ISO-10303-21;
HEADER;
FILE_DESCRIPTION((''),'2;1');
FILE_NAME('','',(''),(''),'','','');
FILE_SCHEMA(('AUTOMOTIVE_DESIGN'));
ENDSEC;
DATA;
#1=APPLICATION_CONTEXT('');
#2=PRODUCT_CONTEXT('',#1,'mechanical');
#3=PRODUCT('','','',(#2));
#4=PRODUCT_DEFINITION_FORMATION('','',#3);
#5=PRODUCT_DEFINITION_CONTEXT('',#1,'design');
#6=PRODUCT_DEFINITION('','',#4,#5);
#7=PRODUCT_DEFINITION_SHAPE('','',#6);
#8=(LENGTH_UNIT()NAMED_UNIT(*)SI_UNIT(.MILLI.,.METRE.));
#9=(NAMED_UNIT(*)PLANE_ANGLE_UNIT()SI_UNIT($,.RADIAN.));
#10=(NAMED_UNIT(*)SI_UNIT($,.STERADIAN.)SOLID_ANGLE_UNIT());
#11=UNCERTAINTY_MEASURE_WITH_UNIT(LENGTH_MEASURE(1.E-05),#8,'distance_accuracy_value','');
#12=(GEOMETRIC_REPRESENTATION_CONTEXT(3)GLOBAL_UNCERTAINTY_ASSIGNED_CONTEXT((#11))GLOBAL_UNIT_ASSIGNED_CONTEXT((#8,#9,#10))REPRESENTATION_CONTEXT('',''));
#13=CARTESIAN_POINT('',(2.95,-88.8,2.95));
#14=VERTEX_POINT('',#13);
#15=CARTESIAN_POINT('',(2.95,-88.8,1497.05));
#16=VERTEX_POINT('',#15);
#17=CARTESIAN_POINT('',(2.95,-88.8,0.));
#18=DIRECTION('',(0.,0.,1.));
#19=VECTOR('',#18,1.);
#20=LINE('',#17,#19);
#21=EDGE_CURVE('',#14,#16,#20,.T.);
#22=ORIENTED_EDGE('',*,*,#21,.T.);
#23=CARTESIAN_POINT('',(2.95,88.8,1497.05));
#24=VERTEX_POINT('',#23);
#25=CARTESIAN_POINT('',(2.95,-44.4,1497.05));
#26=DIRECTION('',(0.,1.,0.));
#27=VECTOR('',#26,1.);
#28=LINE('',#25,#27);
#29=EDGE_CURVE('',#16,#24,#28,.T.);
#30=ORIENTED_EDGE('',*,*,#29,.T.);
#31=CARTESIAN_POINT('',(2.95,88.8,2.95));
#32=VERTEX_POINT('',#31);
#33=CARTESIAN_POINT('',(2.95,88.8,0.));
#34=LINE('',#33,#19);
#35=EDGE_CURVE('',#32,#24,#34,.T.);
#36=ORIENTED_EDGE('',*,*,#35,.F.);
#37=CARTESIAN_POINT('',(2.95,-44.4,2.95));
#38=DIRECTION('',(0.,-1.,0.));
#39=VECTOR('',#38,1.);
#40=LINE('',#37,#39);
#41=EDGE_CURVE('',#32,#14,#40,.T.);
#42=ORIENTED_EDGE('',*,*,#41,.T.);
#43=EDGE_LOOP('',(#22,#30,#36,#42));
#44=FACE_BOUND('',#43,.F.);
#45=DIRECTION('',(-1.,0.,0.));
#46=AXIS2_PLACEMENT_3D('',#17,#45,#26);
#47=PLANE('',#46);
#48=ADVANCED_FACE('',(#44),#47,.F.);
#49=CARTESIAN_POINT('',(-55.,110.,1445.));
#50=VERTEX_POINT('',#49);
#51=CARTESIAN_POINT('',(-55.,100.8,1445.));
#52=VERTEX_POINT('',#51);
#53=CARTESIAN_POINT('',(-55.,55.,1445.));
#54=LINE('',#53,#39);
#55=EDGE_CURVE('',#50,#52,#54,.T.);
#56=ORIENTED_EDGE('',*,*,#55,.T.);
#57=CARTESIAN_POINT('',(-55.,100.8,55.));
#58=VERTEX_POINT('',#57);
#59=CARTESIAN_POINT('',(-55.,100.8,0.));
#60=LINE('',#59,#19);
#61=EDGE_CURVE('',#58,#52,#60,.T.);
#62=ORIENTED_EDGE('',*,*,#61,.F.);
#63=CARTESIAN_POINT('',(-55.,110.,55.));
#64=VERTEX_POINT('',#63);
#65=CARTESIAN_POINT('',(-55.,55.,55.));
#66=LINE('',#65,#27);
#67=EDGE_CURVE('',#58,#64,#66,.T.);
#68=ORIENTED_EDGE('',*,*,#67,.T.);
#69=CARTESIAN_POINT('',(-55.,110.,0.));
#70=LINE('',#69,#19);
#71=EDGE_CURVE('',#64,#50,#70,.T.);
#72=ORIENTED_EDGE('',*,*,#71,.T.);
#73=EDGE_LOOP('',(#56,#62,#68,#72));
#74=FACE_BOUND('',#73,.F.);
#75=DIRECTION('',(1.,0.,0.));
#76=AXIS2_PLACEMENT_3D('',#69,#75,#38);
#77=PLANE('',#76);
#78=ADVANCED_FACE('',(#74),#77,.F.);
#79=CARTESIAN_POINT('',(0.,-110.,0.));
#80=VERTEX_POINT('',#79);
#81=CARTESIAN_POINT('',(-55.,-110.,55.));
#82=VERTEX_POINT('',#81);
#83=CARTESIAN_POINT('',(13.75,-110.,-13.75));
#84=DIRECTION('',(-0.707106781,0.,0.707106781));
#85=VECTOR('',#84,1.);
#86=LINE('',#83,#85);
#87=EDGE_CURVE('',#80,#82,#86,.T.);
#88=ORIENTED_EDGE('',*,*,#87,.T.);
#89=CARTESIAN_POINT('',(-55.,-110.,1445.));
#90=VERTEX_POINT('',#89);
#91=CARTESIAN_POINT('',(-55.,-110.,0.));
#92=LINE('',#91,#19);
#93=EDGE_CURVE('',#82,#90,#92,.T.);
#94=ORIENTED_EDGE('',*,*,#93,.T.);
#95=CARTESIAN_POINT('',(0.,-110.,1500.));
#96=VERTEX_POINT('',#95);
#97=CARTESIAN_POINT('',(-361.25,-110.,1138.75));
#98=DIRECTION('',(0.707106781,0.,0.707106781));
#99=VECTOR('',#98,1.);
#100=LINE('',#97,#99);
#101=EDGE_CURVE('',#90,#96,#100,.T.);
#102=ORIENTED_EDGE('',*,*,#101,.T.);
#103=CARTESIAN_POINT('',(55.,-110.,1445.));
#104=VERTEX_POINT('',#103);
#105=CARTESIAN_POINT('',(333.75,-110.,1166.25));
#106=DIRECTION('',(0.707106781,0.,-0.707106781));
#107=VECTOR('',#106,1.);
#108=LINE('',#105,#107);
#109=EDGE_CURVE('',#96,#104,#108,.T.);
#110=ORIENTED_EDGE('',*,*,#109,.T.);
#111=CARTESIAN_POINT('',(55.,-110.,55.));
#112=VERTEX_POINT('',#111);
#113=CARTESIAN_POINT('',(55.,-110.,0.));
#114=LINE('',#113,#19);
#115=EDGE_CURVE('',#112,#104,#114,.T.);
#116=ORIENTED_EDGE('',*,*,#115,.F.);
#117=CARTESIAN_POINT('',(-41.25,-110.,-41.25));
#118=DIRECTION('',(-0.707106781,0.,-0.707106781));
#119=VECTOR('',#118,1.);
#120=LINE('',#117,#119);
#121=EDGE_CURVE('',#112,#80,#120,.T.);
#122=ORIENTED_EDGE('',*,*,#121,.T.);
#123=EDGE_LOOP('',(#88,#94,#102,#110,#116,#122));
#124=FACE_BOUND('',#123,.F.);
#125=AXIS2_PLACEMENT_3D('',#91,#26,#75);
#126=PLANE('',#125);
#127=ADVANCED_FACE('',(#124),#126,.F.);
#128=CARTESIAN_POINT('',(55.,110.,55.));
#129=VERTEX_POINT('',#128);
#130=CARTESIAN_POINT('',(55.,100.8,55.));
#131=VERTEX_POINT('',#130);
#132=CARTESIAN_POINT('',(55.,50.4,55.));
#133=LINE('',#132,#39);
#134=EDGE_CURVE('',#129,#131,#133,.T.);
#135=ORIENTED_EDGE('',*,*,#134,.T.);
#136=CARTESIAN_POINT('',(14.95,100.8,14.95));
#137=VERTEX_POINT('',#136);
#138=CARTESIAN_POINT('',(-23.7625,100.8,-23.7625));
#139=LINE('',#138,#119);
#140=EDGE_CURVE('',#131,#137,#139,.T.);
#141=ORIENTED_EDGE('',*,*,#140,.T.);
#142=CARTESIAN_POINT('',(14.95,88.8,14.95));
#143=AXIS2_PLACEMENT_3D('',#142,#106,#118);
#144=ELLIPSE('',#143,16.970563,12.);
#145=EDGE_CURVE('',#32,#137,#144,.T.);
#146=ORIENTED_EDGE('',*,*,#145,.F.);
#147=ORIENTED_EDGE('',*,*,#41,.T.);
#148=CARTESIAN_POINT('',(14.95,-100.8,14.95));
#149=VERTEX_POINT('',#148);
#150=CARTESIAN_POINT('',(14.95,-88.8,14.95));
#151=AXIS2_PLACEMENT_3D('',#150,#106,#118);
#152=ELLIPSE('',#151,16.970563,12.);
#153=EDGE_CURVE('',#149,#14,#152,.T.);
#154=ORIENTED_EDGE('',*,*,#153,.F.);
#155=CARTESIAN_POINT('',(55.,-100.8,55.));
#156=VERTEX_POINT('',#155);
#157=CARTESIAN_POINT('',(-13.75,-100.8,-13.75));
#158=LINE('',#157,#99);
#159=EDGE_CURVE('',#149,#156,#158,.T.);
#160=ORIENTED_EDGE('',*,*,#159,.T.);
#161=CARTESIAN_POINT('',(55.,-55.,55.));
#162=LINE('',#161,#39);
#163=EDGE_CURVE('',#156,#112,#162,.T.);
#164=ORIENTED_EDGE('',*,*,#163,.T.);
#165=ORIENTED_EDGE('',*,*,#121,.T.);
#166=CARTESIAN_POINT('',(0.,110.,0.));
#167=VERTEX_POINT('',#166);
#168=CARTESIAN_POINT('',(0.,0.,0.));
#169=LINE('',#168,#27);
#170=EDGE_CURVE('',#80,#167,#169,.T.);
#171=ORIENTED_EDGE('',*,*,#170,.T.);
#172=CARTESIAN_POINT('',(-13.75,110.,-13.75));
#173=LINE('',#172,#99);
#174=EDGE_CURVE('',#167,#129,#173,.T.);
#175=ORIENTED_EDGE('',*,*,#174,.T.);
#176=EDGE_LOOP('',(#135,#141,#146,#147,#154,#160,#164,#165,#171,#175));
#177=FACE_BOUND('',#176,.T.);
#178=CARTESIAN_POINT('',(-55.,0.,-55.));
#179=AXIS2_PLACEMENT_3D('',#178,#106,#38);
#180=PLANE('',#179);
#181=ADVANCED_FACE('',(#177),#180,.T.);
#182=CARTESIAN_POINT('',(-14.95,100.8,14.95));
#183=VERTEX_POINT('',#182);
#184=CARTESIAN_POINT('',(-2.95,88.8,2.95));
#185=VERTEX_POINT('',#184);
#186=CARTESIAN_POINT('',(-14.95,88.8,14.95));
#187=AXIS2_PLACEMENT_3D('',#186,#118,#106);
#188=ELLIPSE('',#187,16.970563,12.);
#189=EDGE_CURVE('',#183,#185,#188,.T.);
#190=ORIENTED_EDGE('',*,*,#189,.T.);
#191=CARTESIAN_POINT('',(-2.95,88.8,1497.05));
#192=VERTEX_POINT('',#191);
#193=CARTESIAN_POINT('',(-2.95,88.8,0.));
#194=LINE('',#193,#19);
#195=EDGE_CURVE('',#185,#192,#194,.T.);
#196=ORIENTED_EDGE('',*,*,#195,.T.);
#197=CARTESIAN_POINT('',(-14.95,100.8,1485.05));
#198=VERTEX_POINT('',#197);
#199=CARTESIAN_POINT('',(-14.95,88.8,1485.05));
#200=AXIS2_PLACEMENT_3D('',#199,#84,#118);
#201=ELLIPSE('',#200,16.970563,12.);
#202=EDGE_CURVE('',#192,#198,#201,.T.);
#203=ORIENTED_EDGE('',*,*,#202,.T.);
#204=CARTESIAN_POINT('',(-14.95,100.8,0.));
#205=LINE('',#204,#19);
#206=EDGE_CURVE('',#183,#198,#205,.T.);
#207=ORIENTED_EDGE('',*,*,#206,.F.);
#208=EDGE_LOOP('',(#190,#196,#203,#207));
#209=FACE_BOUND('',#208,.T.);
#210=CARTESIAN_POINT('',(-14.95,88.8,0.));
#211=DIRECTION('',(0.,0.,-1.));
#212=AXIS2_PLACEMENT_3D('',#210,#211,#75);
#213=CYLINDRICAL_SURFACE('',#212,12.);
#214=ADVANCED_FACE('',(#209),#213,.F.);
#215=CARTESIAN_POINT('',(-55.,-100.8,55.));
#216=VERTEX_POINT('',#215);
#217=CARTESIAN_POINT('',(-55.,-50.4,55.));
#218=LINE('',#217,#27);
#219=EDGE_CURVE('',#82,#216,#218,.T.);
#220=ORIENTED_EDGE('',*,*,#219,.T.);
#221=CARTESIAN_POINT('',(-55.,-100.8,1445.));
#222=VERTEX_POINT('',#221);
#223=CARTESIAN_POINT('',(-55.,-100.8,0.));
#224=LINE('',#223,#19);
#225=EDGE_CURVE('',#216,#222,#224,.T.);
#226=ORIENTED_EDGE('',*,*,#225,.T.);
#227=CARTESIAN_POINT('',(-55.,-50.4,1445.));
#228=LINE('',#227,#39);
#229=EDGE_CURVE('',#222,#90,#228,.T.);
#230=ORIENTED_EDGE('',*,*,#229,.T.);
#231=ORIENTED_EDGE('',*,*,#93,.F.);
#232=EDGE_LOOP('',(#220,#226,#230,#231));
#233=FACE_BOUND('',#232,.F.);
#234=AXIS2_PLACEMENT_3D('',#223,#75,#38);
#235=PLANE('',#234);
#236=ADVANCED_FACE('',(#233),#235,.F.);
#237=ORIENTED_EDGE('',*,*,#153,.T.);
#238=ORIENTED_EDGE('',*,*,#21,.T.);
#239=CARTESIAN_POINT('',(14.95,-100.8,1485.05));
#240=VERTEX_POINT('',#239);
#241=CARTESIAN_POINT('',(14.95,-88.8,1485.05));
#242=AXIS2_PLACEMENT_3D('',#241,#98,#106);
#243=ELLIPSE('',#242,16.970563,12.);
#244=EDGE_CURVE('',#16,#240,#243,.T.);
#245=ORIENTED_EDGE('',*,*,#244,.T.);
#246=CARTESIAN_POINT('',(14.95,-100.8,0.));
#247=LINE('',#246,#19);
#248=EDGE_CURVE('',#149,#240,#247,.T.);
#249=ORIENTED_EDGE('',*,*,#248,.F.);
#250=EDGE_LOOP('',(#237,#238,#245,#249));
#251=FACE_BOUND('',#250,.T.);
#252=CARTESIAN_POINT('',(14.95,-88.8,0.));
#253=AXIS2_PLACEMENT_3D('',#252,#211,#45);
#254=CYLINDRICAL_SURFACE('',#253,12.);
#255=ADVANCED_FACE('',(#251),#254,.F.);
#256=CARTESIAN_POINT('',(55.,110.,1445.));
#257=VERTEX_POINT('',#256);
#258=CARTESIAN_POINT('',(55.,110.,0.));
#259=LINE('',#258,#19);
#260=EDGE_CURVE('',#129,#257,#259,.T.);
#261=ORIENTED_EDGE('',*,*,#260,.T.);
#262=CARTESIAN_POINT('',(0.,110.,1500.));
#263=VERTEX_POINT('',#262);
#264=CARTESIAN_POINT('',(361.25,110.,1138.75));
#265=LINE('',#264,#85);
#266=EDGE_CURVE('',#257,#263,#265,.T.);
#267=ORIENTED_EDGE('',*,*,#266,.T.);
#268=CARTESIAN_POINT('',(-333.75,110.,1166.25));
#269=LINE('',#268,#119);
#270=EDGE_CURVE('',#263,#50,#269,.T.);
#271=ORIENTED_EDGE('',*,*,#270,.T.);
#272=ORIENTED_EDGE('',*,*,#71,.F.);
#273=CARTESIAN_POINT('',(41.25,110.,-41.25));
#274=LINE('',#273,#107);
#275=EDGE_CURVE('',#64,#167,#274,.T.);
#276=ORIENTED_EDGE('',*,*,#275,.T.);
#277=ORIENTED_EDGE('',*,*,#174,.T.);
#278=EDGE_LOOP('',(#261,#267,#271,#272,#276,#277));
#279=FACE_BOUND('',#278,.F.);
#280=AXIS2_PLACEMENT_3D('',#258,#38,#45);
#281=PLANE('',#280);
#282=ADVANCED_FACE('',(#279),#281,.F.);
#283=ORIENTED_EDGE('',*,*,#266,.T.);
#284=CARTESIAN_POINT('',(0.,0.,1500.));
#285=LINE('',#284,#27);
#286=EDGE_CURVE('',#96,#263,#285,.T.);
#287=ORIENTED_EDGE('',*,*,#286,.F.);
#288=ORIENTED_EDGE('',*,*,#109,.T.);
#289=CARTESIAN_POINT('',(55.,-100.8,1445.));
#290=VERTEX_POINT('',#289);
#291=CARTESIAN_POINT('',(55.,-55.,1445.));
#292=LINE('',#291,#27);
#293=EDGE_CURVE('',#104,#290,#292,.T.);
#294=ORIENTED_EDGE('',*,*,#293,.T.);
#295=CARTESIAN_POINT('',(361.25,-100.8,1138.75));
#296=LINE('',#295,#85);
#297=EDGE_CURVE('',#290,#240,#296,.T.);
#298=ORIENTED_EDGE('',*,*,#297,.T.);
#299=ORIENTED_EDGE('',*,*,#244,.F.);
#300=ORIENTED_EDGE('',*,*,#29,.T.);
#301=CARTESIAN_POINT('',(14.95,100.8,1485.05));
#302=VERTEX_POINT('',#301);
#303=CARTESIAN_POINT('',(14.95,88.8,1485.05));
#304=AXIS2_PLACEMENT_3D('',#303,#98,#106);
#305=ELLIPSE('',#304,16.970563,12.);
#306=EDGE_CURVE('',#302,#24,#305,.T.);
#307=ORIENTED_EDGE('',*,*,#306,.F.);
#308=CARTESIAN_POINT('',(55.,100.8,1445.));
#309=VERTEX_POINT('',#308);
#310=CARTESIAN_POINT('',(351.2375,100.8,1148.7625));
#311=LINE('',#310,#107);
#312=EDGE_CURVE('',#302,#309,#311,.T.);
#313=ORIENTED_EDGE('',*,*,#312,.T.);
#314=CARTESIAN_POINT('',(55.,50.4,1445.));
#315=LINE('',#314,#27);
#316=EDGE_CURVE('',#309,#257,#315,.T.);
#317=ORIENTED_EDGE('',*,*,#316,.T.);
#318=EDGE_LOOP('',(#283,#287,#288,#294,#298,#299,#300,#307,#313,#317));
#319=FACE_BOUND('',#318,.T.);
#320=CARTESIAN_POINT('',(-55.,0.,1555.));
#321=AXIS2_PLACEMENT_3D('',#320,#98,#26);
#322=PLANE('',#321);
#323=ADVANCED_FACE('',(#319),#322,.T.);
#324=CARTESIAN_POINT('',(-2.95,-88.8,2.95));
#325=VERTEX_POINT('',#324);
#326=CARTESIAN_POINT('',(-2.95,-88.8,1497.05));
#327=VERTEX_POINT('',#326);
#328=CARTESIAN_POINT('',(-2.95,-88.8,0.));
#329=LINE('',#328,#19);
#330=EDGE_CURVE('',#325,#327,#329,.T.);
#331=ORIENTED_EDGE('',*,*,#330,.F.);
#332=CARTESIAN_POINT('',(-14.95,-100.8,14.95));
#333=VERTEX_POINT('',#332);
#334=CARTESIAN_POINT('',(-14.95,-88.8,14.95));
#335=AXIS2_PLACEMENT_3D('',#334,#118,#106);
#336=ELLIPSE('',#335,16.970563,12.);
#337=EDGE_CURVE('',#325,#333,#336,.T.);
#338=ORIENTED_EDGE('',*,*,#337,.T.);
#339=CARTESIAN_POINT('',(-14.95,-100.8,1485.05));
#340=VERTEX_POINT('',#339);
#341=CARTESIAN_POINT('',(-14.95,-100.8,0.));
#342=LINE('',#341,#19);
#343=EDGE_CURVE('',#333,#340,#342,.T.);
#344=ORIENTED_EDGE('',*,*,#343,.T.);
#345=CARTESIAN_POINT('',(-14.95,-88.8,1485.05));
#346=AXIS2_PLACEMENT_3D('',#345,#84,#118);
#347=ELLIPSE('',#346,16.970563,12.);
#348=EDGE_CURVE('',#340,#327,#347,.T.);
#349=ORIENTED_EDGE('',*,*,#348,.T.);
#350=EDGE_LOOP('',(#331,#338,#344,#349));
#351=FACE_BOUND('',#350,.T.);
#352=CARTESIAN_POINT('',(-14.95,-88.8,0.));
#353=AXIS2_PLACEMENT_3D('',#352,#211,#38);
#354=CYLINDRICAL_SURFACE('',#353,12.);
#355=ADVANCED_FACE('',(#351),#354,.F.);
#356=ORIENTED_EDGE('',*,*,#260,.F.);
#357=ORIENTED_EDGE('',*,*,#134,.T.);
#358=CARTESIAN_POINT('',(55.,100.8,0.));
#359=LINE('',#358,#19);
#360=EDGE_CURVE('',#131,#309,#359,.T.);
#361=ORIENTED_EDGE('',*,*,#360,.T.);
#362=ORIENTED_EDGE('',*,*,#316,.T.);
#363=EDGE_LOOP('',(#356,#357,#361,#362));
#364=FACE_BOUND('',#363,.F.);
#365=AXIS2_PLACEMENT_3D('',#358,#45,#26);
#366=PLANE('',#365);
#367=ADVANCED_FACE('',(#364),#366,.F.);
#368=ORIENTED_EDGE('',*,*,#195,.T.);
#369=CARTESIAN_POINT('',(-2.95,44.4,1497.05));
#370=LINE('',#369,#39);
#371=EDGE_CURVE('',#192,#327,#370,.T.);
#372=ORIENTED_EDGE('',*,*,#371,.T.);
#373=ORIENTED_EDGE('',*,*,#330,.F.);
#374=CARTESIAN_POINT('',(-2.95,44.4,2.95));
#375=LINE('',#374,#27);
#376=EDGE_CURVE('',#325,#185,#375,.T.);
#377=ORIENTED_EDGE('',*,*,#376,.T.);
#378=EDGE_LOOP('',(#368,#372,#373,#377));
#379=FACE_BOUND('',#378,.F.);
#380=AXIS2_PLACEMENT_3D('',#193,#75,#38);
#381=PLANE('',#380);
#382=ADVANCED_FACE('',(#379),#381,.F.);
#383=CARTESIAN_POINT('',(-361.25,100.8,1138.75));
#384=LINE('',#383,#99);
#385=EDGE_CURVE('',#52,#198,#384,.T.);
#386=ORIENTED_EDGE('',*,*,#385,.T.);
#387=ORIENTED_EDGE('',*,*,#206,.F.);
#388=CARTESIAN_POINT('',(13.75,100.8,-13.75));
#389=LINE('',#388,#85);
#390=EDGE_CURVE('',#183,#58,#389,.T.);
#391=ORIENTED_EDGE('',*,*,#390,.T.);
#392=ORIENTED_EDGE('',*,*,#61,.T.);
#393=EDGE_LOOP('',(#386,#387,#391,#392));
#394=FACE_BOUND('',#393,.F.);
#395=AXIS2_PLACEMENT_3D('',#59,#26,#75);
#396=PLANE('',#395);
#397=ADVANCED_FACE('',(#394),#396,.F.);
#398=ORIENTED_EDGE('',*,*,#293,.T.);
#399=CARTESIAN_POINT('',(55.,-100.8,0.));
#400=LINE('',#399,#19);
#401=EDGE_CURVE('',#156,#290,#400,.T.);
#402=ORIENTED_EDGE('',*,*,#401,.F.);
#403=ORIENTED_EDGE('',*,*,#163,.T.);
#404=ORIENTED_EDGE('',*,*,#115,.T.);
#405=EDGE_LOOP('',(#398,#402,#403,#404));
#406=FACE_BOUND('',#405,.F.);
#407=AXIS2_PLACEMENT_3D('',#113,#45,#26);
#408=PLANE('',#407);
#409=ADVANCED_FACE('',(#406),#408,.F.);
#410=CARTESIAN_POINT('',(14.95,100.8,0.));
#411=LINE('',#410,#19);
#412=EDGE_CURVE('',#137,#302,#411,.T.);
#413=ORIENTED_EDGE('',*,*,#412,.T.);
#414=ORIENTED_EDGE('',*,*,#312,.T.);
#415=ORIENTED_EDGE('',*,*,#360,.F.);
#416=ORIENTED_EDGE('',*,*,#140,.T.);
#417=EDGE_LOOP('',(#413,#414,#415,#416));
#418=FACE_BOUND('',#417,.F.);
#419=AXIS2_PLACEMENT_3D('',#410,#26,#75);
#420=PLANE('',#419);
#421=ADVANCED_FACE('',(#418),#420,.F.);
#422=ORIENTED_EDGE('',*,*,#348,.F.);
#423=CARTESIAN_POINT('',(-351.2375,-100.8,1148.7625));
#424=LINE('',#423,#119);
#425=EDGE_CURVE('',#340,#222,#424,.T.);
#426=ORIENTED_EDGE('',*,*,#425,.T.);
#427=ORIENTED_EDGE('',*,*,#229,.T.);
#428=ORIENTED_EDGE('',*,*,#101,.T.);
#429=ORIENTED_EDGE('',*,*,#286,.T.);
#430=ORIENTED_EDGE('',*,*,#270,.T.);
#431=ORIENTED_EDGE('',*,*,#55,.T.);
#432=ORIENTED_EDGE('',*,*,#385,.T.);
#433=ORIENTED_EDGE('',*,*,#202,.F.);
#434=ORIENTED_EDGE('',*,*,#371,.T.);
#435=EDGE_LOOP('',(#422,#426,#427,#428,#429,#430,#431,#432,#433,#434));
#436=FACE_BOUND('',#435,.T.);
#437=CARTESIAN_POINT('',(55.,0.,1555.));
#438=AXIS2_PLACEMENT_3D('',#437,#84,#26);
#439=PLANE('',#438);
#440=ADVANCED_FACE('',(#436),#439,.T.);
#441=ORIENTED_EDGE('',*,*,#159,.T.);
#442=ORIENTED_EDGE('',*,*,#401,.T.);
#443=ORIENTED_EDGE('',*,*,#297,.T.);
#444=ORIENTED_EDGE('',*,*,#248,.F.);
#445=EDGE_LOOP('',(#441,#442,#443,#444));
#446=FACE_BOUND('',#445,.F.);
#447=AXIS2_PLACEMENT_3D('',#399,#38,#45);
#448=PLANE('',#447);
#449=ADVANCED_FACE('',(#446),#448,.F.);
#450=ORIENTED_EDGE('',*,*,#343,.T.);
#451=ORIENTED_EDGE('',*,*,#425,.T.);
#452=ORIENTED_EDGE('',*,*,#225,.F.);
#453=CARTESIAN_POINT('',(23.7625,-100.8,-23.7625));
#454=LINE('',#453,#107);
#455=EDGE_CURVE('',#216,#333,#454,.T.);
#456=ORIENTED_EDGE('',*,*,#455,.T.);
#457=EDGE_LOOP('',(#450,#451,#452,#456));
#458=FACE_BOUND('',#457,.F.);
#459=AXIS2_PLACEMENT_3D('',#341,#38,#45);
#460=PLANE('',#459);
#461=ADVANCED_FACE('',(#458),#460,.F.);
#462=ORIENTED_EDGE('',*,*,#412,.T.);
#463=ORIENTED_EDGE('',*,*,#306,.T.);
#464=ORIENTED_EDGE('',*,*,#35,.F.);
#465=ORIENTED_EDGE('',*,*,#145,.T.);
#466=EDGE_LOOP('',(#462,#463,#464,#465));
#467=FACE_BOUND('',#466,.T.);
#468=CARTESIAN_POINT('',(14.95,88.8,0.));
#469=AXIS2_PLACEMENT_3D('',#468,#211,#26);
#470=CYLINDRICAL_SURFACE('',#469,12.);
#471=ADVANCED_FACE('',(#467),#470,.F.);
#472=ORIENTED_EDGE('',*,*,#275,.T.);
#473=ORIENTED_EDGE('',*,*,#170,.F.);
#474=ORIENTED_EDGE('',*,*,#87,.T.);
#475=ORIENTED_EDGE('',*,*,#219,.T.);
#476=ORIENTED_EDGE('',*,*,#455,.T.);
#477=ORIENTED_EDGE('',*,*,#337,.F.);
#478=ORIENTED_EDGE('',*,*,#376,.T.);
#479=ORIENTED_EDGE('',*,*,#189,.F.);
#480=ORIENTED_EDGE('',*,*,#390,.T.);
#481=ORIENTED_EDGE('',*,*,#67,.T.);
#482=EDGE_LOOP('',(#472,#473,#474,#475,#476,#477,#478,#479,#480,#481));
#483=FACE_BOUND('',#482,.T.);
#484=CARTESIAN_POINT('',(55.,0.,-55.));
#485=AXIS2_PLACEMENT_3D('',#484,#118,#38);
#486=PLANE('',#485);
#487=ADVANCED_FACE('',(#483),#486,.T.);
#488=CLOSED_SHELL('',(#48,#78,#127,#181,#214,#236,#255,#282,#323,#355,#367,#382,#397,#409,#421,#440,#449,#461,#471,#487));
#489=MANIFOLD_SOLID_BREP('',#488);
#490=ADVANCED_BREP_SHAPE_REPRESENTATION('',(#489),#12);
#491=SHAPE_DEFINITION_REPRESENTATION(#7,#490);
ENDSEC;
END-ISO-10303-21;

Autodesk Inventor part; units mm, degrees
ref_plane "Start plane" through (0, 0, 0) normal (0, 0, 1) x (1, 0, 0)
ref_plane "End plane" through (0, 0, 1500) normal (0, 0, 1) x (1, 0, 0)
sketch "Sketch2" plane through (0, 0, 0) normal (0, 0, 1) x (1, 0, 0)
  line L0 (-55, 100.8) -> (-14.95, 100.8)
  line L1 (-55, 110) -> (-55, 100.8)
  line L2 (55, 110) -> (-55, 110)
  line L3 (55, 100.8) -> (55, 110)
  line L4 (14.95, 100.8) -> (55, 100.8)
  line L5 (2.95, -88.8) -> (2.95, 88.8)
  line L6 (55, -100.8) -> (14.95, -100.8)
  line L7 (55, -110) -> (55, -100.8)
  line L8 (-55, -100.8) -> (-55, -110)
  line L9 (-14.95, -100.8) -> (-55, -100.8)
  line L10 (-2.95, 88.8) -> (-2.95, -88.8)
  line L11 (0, -154) -> (0, 154) construction
  line L12 (-2.95, -100.8) -> (2.95, -100.8) construction
  arc A0 (-14.95, -100.8) -> (-2.95, -88.8) centre (-14.95, -88.8) ccw
  arc A1 (-2.95, 88.8) -> (-14.95, 100.8) centre (-14.95, 88.8) ccw
  arc A2 (14.95, 100.8) -> (2.95, 88.8) centre (14.95, 88.8) ccw
  arc A3 (2.95, -88.8) -> (14.95, -100.8) centre (14.95, -88.8) ccw
  line L13 (-77, 0) -> (77, 0) construction
  line L14 (-55, -110) -> (55, -110)
  point P0 (-2.95, 100.8)
  point P1 (2.95, 100.8)
  point P2 (0, 0)
  point P3 (0, -100.8)
  point P4 (0, 0)
  dimension "d1" = 220
  dimension "d3" = 9.2
  dimension "d5" = 5.9
  dimension "d7" = 110
  dimension "d13" = 12
  dimension "d14" = 110
  dimension "d15" = 55
extrude "Body" add sketch "Sketch2" along normal up to surface (1500 mm away) from surface at 0
sketch "Sketch3" plane through (0, 0, 0) normal (0, 0, 1) x (1, 0, 0)
  line L0 (0, 0) -> (10, 0)
ref_plane "Work Plane3" through (0, 0, 0) normal (0, -1, 0) x (1, 0, 0)
ref_plane "Work Plane4" through (-55, 0, 1555) normal (0.7071, 0, 0.7071) x (0.7071, 0, -0.7071)
split "Split1" plane through (-55, 0, 1555) removes the side toward (0.7071, 0, 0.7071)
ref_plane "Work Plane5" through (-55, 0, -55) normal (0.7071, 0, -0.7071) x (-0.7071, 0, -0.7071)
split "Split2" plane through (-55, 0, -55) removes the side toward (0.7071, 0, -0.7071)
ref_plane "Work Plane6" through (55, 0, 1555) normal (-0.7071, 0, 0.7071) x (0.7071, 0, 0.7071)
split "Split3" plane through (55, 0, 1555) removes the side toward (-0.7071, 0, 0.7071)
ref_plane "Work Plane7" through (55, 0, -55) normal (-0.7071, 0, -0.7071) x (-0.7071, 0, 0.7071)
split "Split4" plane through (55, 0, -55) removes the side toward (-0.7071, 0, -0.7071)
sketch "Sketch4" plane through (0, 0, 0) normal (0, -1, 0) x (1, 0, 0)
  line L0 (-2, 0) -> (12, 0) projected
  line L1 (-2, 1500) -> (12, 1500) projected
  dimension "d19" = 1500
equation "\"d1\" = ParH"
equation "\"d3\" = t2"
equation "\"d5\" = t1"
equation "\"d7\" = b"
equation "\"d13\" = R1"
equation "\"d14\" = 0.5 * d1"
equation "\"d15\" = 0.5 * d7"
equation "\"d8\" = G_L"
equation "\"b\" = 110"
equation "\"ParH\" = 220"
equation "\"R1\" = 12"
equation "\"G_L\" = d19"
equation "\"t1\" = 5.9"
equation "\"t2\" = 9.2"
equation "\"G_OFFSET_START\" = 0"
equation "\"G_OFFSET_END\" = 0"
properties part number "DIN 1025 - IPE 220-1500" material "Steel, Mild"
